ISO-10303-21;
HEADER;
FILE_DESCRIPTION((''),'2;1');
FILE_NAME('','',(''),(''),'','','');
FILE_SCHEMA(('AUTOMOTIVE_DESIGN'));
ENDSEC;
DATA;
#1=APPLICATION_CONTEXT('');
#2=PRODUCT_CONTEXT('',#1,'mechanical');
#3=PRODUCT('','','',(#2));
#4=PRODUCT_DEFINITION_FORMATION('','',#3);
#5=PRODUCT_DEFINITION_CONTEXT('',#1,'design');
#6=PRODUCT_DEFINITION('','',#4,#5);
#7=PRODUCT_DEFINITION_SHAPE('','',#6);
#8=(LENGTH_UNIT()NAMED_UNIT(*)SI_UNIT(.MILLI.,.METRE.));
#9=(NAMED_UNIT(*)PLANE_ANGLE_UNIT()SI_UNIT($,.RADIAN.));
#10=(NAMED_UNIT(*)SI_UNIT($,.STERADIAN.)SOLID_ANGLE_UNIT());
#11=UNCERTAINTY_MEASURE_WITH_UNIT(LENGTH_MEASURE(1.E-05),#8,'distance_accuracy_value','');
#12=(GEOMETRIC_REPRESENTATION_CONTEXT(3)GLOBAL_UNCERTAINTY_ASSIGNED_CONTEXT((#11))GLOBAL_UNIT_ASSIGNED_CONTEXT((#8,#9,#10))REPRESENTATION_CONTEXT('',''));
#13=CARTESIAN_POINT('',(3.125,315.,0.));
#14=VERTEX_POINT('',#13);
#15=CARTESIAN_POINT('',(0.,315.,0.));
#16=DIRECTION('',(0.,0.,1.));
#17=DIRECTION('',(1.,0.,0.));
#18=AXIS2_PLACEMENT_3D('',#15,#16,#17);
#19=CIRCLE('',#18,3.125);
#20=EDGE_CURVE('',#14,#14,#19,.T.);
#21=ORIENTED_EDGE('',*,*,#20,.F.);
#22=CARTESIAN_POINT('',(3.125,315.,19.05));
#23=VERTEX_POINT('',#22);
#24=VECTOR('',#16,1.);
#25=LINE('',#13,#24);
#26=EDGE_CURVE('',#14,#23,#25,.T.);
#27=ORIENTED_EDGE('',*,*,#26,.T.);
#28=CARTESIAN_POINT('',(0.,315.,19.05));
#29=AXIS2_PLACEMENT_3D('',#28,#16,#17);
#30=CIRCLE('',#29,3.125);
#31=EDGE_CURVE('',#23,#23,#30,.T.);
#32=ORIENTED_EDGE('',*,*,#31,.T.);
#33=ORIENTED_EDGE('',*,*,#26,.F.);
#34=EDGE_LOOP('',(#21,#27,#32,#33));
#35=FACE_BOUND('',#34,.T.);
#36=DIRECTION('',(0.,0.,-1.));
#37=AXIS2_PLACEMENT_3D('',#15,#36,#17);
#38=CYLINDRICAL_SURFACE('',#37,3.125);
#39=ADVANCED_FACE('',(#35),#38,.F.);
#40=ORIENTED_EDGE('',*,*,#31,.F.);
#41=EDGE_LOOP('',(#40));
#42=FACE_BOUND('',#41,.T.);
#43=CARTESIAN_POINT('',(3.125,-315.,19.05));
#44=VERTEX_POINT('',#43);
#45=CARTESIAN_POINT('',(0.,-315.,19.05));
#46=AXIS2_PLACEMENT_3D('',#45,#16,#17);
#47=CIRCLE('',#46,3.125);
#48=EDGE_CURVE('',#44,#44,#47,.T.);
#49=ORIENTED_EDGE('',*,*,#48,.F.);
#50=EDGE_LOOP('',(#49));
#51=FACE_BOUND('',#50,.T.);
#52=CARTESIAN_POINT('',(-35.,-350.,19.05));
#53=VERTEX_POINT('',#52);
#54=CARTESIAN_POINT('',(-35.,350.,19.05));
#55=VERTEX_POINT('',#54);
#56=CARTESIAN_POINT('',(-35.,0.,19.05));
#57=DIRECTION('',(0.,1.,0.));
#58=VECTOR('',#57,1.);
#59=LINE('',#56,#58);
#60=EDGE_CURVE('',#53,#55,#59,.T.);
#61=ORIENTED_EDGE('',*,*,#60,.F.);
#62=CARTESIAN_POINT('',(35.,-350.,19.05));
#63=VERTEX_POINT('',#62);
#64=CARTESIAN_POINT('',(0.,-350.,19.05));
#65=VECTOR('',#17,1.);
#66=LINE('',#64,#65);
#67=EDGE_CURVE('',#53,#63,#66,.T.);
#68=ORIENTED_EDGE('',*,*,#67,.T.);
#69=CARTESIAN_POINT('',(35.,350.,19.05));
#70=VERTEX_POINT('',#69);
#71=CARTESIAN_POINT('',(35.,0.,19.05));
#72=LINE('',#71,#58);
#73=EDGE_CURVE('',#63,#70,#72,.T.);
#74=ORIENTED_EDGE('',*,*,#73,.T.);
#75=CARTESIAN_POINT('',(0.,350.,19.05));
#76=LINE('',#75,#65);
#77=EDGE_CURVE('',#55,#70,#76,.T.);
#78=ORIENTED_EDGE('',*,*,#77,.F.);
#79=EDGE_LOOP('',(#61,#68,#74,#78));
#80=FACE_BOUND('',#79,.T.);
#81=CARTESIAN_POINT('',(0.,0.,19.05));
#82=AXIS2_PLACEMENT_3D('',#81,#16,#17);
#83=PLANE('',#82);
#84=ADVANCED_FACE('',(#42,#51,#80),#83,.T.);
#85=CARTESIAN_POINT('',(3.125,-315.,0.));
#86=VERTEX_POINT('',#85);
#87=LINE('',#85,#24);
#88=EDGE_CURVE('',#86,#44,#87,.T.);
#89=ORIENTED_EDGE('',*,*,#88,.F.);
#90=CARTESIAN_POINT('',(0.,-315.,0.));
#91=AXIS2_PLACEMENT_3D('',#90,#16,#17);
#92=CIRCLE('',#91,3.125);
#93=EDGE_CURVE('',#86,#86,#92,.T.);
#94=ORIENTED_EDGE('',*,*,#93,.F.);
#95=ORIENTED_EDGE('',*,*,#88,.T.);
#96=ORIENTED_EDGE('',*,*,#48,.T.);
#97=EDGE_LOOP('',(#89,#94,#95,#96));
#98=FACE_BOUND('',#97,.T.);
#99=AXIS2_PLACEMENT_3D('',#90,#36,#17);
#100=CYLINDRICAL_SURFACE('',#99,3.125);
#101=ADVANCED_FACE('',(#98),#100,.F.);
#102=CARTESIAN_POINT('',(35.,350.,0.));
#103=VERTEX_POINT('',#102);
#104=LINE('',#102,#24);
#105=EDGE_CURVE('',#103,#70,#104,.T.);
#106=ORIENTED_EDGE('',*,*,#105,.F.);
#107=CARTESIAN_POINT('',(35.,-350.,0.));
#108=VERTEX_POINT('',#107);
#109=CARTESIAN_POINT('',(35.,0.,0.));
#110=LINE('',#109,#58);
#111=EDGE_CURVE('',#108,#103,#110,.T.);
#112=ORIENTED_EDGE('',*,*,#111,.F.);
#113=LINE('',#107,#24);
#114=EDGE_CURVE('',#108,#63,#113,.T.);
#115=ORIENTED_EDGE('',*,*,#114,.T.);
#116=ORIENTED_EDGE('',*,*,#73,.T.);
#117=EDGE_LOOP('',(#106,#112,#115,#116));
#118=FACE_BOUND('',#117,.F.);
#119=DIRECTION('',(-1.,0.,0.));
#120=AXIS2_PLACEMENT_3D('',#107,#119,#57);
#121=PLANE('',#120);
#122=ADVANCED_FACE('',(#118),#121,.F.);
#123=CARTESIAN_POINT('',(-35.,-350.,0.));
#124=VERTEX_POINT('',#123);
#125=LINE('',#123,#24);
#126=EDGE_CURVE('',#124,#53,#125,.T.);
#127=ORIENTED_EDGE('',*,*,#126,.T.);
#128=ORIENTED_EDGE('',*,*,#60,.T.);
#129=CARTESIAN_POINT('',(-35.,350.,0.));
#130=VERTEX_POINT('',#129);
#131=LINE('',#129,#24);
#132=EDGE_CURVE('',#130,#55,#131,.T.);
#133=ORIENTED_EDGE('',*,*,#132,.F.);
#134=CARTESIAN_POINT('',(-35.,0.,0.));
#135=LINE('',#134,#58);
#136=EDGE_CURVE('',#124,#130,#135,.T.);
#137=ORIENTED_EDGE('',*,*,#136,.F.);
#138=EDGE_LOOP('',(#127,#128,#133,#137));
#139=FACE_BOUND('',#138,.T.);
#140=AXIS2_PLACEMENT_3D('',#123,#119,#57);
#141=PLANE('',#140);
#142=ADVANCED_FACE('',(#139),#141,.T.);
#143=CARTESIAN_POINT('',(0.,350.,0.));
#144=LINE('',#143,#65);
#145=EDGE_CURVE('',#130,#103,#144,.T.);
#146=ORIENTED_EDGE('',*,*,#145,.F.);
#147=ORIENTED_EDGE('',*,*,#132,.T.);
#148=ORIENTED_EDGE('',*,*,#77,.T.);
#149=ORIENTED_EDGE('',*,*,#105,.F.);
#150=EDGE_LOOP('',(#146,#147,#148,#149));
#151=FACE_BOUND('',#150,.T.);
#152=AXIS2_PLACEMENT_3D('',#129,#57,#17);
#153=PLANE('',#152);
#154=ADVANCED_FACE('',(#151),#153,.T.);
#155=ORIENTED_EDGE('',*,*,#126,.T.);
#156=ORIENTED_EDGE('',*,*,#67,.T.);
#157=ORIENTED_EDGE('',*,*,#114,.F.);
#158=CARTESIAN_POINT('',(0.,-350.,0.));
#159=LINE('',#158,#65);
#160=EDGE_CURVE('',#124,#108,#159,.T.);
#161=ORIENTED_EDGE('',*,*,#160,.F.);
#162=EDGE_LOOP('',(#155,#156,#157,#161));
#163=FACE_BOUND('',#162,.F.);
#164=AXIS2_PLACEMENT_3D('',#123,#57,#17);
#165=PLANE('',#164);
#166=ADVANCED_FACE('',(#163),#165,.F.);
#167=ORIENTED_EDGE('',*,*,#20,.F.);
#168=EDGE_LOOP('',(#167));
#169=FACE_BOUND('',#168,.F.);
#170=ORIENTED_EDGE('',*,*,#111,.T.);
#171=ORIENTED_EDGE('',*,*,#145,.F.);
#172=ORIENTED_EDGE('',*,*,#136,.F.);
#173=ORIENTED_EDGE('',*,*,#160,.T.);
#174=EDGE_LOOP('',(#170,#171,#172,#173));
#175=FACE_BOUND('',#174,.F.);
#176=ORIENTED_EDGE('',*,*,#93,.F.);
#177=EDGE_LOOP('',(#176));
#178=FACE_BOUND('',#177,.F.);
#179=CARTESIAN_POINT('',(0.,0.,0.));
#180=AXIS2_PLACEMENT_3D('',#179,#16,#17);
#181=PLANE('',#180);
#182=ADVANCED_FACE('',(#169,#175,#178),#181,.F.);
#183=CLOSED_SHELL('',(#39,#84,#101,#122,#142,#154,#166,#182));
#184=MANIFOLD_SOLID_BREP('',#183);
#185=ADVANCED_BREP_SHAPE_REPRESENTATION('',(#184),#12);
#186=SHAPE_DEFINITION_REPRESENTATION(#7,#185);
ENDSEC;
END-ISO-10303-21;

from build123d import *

# Parameters (mm, degrees)
SKETCH_W  = 70
SKETCH_H  = 700
SKETCH_R  = 3.125
PAD_DEPTH = 19.05


with BuildPart() as part:
    # Sketch → Pad (new body)
    with BuildSketch(Plane.XY):
        Rectangle(SKETCH_W, SKETCH_H)
        with Locations((0, 315)):
            Circle(SKETCH_R, mode=Mode.SUBTRACT)
        with Locations((0, -315)):
            Circle(SKETCH_R, mode=Mode.SUBTRACT)
    extrude(amount=PAD_DEPTH)


solid = part.part
